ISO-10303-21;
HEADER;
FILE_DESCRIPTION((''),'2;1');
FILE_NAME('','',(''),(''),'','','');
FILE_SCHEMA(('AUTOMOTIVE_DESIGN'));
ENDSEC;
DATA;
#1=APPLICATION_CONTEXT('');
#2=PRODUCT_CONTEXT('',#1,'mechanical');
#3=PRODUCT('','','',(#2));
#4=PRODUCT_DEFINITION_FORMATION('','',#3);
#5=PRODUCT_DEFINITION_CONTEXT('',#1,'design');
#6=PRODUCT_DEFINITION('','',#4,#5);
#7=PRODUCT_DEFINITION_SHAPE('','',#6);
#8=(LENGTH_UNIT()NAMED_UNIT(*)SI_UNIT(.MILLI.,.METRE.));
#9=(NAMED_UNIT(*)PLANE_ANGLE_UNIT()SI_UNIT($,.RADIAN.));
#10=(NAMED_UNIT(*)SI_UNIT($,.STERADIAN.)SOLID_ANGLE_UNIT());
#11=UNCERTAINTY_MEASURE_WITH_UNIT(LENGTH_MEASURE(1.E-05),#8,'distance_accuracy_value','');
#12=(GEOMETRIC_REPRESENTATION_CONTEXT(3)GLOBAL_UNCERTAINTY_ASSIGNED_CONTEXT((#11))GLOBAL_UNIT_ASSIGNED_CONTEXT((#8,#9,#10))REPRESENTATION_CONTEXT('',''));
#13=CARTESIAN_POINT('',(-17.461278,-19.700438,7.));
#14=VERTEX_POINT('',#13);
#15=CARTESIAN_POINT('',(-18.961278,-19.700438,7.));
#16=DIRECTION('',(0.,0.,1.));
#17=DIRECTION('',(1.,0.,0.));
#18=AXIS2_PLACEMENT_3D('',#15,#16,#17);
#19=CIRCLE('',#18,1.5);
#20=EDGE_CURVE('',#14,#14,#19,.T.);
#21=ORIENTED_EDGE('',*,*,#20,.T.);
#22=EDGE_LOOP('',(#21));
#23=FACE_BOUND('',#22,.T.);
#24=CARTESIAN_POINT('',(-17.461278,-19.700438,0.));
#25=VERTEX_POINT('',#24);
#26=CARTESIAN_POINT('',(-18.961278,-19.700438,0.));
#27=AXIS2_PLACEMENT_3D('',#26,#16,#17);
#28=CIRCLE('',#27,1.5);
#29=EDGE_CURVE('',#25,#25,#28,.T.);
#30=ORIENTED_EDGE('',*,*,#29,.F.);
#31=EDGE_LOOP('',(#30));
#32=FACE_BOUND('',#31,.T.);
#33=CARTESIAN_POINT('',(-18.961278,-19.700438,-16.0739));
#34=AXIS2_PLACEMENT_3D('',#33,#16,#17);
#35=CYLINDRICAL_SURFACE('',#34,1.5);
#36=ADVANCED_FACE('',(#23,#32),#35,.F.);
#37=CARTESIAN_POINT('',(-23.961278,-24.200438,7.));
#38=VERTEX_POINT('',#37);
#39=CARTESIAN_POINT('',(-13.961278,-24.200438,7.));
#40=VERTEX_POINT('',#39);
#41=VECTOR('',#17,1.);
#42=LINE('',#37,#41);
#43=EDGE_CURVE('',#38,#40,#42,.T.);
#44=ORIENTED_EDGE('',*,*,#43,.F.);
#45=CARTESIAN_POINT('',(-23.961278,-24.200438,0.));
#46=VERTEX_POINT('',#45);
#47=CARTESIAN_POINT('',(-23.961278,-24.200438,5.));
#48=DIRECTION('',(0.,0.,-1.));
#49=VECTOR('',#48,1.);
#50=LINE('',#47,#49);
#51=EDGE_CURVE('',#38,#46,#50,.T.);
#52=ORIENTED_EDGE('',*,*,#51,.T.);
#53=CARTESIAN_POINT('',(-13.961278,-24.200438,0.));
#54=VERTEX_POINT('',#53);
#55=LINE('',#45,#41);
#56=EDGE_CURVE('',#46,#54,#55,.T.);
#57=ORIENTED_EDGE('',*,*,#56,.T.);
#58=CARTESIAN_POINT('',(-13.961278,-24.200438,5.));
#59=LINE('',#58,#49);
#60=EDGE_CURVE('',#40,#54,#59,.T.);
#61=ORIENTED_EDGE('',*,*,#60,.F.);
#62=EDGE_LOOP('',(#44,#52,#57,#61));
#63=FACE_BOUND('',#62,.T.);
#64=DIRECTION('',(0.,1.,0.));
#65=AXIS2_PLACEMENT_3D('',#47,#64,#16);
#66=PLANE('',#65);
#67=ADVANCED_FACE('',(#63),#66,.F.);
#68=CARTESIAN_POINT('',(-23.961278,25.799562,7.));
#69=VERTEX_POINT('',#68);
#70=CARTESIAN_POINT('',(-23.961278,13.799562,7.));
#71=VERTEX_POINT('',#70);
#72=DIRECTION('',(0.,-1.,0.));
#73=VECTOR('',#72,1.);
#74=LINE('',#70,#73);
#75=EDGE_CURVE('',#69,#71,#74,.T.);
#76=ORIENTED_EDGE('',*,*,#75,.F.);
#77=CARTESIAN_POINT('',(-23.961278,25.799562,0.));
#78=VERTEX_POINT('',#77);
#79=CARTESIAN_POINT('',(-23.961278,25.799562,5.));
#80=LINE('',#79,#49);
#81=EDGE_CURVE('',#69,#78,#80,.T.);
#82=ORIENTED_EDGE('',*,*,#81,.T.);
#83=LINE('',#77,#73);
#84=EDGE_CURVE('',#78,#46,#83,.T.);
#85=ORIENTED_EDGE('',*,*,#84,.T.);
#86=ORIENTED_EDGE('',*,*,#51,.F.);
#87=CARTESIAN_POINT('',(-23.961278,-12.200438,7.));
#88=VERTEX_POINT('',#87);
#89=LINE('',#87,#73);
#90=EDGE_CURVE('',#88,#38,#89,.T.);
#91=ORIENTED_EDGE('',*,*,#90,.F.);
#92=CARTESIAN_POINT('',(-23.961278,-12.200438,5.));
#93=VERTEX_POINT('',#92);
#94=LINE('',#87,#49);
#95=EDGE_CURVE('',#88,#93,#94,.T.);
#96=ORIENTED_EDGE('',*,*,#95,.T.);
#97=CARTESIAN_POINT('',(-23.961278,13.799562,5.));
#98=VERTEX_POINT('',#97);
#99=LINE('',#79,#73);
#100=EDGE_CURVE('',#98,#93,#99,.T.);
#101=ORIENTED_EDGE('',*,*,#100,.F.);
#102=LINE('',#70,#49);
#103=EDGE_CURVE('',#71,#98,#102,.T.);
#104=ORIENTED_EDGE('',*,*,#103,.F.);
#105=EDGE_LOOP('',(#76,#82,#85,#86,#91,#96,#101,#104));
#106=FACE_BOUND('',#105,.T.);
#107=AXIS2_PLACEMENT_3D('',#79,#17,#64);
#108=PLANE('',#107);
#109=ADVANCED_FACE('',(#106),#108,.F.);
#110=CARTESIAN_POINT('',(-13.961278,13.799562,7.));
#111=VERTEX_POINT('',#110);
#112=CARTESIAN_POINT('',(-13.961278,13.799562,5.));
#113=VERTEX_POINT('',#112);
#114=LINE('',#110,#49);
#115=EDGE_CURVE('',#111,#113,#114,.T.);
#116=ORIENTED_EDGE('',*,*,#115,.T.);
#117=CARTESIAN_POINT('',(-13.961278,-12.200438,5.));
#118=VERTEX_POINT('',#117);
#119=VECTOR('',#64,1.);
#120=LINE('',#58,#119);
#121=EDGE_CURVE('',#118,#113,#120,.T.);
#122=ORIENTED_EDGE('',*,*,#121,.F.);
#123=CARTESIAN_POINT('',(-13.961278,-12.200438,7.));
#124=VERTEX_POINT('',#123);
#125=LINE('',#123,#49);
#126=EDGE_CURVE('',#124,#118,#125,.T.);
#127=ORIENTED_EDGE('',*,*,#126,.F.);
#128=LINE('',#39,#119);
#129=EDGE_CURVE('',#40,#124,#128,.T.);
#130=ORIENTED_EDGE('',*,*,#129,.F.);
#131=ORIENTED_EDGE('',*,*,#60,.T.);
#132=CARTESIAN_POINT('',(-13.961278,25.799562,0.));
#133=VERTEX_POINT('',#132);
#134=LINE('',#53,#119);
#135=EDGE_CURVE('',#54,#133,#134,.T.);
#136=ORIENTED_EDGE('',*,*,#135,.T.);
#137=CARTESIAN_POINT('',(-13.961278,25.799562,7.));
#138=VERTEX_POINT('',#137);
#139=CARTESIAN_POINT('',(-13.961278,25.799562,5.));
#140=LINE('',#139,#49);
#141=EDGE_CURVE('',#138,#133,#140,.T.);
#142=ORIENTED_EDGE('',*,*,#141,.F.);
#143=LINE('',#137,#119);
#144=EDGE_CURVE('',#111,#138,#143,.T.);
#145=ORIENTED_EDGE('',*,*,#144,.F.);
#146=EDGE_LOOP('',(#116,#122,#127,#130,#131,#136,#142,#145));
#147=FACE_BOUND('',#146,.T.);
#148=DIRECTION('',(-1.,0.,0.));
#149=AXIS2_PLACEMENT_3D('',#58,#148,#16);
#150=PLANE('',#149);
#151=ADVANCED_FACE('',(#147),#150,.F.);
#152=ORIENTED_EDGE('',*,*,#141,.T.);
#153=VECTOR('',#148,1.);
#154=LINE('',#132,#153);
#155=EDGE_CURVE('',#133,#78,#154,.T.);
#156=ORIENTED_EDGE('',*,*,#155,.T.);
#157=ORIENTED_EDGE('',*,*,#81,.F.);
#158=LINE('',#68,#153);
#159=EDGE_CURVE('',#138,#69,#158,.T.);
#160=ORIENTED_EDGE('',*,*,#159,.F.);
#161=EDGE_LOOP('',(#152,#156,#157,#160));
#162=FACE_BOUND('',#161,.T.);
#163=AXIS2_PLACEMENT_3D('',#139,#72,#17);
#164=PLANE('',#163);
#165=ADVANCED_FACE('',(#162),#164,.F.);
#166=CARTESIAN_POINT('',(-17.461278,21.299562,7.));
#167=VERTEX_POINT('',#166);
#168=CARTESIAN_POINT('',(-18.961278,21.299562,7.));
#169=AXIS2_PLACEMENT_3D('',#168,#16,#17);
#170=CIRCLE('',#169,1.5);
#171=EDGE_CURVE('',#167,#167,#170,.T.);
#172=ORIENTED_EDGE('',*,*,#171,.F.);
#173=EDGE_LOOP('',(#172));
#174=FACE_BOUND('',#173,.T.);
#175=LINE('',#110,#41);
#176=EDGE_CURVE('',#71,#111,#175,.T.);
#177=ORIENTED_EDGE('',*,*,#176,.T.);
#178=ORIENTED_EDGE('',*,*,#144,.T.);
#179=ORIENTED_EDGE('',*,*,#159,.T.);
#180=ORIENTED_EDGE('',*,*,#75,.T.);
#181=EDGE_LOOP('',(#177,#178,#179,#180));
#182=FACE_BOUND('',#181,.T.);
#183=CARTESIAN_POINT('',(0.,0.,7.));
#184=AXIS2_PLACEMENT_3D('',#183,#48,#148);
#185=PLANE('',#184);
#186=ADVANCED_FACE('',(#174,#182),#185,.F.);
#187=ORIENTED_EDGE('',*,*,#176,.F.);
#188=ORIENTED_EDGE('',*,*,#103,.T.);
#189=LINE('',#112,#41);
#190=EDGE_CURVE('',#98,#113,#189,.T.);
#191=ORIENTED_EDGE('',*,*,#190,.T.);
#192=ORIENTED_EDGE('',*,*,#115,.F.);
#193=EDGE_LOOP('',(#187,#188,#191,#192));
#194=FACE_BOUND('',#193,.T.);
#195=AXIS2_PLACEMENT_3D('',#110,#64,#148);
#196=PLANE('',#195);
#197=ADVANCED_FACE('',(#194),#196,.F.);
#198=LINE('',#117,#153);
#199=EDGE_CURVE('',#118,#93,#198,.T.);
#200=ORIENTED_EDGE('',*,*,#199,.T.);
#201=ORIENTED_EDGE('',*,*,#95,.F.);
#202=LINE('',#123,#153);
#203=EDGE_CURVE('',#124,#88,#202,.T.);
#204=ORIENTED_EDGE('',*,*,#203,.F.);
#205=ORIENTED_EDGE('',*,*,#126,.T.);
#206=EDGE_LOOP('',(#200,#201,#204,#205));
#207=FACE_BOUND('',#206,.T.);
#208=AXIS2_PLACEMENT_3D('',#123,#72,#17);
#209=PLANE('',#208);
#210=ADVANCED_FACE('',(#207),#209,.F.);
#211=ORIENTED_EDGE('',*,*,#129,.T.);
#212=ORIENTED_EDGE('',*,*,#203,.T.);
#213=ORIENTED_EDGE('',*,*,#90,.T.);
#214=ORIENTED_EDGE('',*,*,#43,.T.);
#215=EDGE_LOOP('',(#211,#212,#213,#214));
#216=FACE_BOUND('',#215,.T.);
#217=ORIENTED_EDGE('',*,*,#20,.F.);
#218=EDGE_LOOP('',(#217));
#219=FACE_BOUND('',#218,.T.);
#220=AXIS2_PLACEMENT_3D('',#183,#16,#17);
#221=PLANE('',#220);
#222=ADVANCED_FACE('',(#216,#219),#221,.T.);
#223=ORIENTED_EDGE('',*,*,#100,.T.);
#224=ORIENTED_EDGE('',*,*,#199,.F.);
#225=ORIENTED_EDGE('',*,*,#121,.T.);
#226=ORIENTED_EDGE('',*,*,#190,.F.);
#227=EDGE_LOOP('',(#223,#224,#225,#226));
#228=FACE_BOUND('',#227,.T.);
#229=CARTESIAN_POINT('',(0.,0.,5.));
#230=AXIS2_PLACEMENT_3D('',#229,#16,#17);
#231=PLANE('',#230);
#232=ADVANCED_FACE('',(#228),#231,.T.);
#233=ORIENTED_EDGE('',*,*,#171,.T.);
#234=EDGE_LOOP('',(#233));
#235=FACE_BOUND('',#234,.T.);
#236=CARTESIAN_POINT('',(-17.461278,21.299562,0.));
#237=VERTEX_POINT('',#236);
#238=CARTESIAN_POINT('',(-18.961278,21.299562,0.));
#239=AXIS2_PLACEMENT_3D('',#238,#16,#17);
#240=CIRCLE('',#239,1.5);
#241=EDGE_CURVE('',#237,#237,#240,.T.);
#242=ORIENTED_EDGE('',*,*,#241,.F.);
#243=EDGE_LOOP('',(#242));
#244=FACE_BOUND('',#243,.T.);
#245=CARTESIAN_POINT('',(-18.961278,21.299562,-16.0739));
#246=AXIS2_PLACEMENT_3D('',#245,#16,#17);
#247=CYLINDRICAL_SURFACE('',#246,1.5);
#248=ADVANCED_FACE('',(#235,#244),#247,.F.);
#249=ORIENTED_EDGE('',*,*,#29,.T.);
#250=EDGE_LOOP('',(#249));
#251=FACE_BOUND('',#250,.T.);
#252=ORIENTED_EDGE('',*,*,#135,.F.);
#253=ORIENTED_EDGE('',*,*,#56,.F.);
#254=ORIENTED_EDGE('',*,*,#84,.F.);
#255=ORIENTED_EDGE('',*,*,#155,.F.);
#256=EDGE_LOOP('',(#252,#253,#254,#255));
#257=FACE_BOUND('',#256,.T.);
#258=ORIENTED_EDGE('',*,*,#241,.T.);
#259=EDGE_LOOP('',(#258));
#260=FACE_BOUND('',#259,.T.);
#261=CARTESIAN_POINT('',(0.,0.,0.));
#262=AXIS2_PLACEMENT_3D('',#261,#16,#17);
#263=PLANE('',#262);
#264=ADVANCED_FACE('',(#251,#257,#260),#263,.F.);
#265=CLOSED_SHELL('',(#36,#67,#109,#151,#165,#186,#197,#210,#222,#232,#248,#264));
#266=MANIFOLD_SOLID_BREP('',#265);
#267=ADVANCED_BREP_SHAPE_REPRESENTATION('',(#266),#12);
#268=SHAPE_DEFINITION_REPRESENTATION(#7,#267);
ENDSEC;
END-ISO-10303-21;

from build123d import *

# Parameters (mm, degrees)
ESQUISSE1_W             = 10
ESQUISSE1_H             = 50
BOSS_EXTRU_1_DEPTH      = 5
ESQUISSE4_W             = 10
ESQUISSE4_H             = 12
BOSS_EXTRU_2_DEPTH      = 2
ESQUISSE5_W             = 10
ESQUISSE5_H             = 12
BOSS_EXTRU_3_DEPTH      = 2
ESQUISSE7_R             = 1.5
ENL_V_MAT_EXTRU_2_DEPTH = 23.073899885
ESQUISSE8_R             = 1.5
ENL_V_MAT_EXTRU_3_DEPTH = 23.073899885


with BuildPart() as part:
    # Esquisse1 → Boss.-Extru.1 (new body)
    with BuildSketch(Plane.XY):
        with Locations((-18.961277556, 0.799561998)):
            Rectangle(ESQUISSE1_W, ESQUISSE1_H)
    extrude(amount=BOSS_EXTRU_1_DEPTH)

    # Esquisse4 → Boss.-Extru.2 (add)
    with BuildSketch(Plane.XY.offset(5)):
        with Locations((-18.961277556, 19.799561998)):
            Rectangle(ESQUISSE4_W, ESQUISSE4_H)
    extrude(amount=BOSS_EXTRU_2_DEPTH)

    # Esquisse5 → Boss.-Extru.3 (add)
    with BuildSketch(Plane.XY.offset(5)):
        with Locations((-18.961277556, -18.200438002)):
            Rectangle(ESQUISSE5_W, ESQUISSE5_H)
    extrude(amount=BOSS_EXTRU_3_DEPTH)

    # Esquisse7 → Enlèv. mat.-Extru.2 (cut)
    with BuildSketch(Plane.XY.offset(7)):
        with Locations((-18.961277556, -19.700438002)):
            Circle(ESQUISSE7_R)
    extrude(amount=-ENL_V_MAT_EXTRU_2_DEPTH, mode=Mode.SUBTRACT)

    # Esquisse8 → Enlèv. mat.-Extru.3 (cut)
    with BuildSketch(Plane.XY.offset(7)):
        with Locations((-18.961277556, 21.299561998)):
            Circle(ESQUISSE8_R)
    extrude(amount=-ENL_V_MAT_EXTRU_3_DEPTH, mode=Mode.SUBTRACT)


solid = part.part
